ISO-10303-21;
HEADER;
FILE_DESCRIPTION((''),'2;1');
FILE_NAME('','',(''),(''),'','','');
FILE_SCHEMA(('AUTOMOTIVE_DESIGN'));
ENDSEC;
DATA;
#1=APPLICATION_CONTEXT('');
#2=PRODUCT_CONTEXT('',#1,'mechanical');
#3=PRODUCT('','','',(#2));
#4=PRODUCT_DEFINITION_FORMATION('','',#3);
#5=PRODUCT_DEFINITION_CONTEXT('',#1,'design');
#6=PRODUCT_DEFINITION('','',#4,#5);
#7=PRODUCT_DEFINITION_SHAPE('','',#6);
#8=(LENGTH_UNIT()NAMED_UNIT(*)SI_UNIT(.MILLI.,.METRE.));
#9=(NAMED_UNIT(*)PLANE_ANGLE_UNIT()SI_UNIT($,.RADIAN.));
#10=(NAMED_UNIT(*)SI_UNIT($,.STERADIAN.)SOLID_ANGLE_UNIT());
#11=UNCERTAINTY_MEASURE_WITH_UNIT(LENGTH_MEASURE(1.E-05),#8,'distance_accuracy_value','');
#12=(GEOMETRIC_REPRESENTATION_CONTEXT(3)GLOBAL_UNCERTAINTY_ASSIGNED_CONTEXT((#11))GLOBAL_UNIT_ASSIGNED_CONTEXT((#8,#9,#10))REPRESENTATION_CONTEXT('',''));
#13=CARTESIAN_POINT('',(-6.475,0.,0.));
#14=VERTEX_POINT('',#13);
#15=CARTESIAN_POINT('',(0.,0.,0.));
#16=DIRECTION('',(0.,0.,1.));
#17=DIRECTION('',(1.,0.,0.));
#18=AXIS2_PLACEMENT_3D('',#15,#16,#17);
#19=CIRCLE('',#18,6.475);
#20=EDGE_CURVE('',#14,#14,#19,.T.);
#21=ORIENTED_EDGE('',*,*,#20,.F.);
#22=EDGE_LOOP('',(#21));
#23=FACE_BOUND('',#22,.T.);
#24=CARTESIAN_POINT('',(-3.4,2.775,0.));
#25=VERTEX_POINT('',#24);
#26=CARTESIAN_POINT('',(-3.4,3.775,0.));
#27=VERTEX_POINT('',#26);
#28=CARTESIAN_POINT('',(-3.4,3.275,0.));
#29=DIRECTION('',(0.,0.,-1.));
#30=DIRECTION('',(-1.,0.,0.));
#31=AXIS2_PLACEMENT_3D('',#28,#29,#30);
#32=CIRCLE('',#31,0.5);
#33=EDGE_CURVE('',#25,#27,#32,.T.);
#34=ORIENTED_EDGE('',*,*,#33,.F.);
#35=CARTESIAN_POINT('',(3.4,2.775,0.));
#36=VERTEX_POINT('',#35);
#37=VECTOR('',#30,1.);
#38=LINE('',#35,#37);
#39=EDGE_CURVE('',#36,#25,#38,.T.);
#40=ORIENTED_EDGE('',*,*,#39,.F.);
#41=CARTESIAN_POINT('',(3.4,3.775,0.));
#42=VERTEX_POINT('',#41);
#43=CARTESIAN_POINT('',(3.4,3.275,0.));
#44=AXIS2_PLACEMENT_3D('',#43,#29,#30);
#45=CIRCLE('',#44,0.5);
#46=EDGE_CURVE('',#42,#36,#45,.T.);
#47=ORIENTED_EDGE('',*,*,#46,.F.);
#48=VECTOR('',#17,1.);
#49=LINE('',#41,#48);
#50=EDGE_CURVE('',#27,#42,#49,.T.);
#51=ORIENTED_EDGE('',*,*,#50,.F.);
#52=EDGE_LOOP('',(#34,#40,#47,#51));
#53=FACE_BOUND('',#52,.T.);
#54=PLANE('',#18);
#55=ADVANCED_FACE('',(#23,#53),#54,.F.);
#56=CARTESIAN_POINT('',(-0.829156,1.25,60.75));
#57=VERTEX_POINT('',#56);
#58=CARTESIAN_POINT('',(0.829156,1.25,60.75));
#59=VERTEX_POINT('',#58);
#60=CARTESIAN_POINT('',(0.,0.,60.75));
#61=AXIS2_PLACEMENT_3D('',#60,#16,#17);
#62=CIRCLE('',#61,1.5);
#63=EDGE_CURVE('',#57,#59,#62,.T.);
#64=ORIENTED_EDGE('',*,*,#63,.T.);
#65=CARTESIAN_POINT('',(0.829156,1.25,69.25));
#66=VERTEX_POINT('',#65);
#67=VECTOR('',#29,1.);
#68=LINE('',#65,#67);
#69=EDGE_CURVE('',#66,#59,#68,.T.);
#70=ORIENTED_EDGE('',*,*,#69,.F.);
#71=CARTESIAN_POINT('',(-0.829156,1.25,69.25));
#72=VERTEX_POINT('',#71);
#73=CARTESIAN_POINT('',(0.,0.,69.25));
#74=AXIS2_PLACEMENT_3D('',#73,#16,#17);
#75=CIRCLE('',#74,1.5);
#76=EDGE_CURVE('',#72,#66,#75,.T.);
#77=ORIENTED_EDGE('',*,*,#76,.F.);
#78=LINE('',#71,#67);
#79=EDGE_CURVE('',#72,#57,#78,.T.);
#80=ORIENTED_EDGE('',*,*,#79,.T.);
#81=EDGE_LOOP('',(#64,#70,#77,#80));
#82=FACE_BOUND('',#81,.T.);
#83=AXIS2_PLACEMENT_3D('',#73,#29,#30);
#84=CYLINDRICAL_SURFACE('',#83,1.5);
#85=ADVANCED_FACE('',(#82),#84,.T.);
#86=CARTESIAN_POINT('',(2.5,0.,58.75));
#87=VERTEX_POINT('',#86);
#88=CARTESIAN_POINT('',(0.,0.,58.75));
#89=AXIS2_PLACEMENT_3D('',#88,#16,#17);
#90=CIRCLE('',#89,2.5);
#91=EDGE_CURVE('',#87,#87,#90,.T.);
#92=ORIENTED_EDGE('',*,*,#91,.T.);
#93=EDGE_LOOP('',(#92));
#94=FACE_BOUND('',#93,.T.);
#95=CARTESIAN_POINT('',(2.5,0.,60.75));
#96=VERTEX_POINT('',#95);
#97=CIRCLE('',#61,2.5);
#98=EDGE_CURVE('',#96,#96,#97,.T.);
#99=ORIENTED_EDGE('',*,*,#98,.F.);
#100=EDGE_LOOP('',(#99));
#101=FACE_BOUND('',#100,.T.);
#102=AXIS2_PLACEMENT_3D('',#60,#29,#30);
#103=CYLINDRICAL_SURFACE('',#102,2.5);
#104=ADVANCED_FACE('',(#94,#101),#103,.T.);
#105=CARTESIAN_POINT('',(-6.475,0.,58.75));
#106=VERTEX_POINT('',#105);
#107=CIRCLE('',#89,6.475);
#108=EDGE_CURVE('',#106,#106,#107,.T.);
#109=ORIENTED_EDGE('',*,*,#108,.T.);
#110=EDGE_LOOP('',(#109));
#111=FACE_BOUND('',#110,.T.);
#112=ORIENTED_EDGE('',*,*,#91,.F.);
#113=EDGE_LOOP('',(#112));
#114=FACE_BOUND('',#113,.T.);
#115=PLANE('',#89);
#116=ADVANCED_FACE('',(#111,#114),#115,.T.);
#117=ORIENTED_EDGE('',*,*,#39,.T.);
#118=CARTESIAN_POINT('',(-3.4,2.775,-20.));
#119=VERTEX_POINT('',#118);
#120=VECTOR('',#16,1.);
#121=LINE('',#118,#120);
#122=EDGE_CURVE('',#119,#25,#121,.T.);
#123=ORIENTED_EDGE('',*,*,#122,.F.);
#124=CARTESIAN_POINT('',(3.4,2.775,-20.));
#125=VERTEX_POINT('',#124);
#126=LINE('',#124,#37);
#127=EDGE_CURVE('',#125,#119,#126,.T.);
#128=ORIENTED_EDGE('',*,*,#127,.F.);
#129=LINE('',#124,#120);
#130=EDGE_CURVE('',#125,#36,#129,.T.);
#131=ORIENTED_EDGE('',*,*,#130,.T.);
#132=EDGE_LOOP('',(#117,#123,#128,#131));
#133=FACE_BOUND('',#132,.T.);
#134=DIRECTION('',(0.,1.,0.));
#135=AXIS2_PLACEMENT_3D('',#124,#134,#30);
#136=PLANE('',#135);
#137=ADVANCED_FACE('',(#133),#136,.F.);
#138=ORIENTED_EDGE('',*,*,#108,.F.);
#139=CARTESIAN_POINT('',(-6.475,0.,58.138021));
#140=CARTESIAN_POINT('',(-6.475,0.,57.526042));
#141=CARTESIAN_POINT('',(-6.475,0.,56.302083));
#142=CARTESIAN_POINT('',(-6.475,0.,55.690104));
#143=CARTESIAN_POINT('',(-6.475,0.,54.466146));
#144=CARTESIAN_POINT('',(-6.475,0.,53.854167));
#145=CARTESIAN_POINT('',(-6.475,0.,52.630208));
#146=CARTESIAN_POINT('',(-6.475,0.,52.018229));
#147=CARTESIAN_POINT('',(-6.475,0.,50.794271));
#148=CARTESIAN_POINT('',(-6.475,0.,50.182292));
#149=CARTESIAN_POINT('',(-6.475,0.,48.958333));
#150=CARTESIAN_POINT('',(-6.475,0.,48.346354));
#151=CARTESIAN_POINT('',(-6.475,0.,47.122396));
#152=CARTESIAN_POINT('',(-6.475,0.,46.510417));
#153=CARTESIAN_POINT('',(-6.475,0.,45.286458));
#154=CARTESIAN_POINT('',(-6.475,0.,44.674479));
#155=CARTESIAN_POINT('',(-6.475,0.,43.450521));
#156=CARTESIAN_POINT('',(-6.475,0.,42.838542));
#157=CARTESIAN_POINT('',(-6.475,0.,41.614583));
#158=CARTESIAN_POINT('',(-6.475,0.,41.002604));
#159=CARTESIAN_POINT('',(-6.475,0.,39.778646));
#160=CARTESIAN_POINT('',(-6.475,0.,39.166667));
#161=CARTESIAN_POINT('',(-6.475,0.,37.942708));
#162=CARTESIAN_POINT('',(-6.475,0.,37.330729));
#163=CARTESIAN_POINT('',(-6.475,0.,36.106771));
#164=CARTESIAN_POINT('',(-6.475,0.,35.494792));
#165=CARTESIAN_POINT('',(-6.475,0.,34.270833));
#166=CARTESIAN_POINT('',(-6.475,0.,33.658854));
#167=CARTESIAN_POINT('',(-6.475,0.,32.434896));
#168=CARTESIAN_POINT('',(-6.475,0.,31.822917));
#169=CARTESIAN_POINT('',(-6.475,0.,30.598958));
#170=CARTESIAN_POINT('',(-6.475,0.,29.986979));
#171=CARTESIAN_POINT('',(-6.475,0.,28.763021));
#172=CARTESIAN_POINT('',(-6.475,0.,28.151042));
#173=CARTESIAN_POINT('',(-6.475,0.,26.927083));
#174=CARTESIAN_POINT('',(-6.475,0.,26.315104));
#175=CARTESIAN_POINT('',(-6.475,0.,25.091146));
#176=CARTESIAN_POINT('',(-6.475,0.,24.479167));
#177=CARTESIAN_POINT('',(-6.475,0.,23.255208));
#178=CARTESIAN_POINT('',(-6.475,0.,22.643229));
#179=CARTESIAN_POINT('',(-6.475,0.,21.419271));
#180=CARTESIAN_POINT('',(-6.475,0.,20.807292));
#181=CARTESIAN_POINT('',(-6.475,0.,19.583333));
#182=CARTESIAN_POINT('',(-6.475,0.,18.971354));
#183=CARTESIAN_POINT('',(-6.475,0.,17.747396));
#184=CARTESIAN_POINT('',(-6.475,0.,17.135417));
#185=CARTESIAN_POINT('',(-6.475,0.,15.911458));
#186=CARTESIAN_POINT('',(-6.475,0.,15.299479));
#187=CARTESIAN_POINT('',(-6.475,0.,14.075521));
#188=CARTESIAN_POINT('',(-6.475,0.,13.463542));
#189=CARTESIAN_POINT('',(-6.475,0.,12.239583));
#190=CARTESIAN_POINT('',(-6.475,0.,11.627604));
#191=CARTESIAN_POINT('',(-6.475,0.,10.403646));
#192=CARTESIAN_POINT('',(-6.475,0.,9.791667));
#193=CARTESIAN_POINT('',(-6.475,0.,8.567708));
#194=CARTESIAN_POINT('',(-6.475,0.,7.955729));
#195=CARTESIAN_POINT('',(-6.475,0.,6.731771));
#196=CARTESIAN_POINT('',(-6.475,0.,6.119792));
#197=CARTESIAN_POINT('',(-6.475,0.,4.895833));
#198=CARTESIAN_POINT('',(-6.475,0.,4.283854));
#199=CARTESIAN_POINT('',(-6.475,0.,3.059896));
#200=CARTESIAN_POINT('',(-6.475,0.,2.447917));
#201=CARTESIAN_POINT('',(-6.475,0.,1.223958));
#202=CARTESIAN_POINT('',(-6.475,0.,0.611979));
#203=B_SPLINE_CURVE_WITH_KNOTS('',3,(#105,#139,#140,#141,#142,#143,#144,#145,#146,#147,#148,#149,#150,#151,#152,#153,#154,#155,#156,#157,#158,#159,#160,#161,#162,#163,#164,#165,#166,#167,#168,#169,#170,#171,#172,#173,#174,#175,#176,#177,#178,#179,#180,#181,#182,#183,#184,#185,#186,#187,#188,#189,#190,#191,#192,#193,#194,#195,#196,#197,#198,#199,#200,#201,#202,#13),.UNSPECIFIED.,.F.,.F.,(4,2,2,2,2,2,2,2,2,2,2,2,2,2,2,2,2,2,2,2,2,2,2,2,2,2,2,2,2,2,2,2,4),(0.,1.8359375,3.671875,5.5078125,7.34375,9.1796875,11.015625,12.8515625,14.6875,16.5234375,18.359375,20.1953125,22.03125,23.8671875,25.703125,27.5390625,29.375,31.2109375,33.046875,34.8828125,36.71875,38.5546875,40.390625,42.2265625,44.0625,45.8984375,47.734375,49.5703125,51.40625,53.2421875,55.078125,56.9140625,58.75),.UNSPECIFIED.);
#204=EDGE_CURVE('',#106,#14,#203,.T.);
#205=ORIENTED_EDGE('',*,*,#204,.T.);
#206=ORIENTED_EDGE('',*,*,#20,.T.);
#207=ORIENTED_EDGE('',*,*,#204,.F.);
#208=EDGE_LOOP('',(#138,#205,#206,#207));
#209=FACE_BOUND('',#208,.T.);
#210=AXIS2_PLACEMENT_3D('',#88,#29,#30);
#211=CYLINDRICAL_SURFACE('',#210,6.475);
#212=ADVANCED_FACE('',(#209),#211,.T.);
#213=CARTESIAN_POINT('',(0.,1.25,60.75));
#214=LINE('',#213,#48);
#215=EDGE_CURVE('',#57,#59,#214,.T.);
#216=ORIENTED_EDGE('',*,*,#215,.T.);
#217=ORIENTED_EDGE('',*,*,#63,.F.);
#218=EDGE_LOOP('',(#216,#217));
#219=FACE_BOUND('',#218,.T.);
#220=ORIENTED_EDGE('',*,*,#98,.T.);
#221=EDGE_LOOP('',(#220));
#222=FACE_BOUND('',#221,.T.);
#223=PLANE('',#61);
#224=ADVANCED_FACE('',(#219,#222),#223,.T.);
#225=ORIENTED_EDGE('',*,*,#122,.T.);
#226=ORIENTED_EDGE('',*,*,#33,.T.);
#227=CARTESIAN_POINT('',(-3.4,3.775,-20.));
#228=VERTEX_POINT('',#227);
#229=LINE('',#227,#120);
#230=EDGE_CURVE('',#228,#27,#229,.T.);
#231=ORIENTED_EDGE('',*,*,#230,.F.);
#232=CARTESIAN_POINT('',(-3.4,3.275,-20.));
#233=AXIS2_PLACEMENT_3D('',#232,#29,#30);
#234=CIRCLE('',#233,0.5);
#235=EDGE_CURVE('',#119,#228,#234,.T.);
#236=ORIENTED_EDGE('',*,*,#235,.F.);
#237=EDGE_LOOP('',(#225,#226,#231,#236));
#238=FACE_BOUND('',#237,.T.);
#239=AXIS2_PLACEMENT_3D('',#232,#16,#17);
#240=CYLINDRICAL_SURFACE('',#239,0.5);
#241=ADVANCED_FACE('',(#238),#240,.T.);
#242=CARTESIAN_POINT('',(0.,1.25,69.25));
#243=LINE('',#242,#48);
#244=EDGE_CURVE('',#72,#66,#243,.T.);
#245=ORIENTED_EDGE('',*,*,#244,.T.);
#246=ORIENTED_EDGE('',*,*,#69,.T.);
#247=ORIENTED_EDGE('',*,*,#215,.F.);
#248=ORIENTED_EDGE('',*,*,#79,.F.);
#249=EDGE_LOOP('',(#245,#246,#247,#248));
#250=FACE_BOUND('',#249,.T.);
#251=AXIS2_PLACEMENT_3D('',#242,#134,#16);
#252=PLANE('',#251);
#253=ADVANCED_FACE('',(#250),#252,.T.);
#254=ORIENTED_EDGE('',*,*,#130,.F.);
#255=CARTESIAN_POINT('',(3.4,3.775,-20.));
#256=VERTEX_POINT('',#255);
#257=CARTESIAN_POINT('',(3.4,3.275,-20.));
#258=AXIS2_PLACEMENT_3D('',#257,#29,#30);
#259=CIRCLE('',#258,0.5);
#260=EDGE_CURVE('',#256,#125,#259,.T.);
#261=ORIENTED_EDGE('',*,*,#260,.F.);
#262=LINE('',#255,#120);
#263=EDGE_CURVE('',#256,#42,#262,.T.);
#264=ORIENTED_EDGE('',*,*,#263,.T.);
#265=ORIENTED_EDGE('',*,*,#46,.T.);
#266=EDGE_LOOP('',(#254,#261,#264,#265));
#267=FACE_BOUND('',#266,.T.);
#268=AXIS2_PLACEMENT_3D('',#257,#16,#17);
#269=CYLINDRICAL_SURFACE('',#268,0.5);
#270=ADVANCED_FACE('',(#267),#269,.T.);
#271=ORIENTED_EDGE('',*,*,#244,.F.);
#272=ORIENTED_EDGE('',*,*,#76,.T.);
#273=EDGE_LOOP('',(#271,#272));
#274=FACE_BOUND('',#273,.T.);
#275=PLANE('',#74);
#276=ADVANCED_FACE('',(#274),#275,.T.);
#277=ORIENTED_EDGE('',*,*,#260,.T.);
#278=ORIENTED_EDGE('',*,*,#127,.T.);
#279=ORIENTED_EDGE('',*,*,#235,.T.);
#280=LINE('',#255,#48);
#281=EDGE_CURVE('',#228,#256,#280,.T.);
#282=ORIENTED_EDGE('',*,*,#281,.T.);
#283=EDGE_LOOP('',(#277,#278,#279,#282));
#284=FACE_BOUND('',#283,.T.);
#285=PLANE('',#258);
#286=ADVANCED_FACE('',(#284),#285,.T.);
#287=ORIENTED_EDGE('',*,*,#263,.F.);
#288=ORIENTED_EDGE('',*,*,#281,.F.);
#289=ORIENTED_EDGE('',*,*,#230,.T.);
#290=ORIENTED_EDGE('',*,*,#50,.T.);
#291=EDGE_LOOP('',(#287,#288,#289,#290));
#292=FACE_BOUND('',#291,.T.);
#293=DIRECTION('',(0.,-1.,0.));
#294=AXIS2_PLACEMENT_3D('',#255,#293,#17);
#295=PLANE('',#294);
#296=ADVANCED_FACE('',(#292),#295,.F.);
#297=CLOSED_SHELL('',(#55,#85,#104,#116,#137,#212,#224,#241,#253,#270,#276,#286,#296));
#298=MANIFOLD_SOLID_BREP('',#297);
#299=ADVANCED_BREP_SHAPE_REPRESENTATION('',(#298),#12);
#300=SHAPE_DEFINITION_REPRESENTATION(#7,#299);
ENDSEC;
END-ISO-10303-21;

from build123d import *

# Parameters (mm, degrees)
SKETCH1_R           = 6.475
BOSS_EXTRUDE1_DEPTH = 58.75
SKETCH2_R           = 2.5
BOSS_EXTRUDE2_DEPTH = 2
BOSS_EXTRUDE3_DEPTH = 8.5
BOSS_EXTRUDE4_DEPTH = 20


with BuildPart() as part:
    # Sketch1 → Boss-Extrude1 (new body)
    with BuildSketch(Plane.XY):
        with Locations(Location((0, 0, 0), (0, 0, 180))):
            Circle(SKETCH1_R)
    extrude(amount=BOSS_EXTRUDE1_DEPTH)

    # Sketch2 → Boss-Extrude2 (add)
    with BuildSketch(Plane.XY.offset(58.75)):
        Circle(SKETCH2_R)
    extrude(amount=BOSS_EXTRUDE2_DEPTH)

    # Sketch3 → Boss-Extrude3 (add)
    with BuildSketch(Plane.XY.offset(60.75)):
        with BuildLine():
            Line((0, 1.25), (-0.829156198, 1.25))
            ThreePointArc((-0.829156198, 1.25), (-1.436140662, -0.433012702), (0, -1.5))
            Line((0, -1.5), (0, 1.25))
        make_face()
        with BuildLine():
            Line((0.829156198, 1.25), (0, 1.25))
            Line((0, 1.25), (0, -1.5))
            ThreePointArc((0, -1.5), (1.060660172, -1.060660172), (1.5, 0))
            ThreePointArc((1.5, 0), (1.321691018, 0.709318583), (0.829156198, 1.25))
        make_face()
    extrude(amount=BOSS_EXTRUDE3_DEPTH)

    # Sketch4 → Boss-Extrude4 (add)
    with BuildSketch(Plane(origin=(0, 0, 0), x_dir=(-1, 0, 0), z_dir=(0, 0, -1))):
        with BuildLine():
            Line((-3.4, 3.775), (3.4, 3.775))
            ThreePointArc((3.4, 3.775), (3.9, 3.275), (3.4, 2.775))
            Line((3.4, 2.775), (-3.4, 2.775))
            ThreePointArc((-3.4, 2.775), (-3.9, 3.275), (-3.4, 3.775))
        make_face()
    extrude(amount=BOSS_EXTRUDE4_DEPTH)


solid = part.part
